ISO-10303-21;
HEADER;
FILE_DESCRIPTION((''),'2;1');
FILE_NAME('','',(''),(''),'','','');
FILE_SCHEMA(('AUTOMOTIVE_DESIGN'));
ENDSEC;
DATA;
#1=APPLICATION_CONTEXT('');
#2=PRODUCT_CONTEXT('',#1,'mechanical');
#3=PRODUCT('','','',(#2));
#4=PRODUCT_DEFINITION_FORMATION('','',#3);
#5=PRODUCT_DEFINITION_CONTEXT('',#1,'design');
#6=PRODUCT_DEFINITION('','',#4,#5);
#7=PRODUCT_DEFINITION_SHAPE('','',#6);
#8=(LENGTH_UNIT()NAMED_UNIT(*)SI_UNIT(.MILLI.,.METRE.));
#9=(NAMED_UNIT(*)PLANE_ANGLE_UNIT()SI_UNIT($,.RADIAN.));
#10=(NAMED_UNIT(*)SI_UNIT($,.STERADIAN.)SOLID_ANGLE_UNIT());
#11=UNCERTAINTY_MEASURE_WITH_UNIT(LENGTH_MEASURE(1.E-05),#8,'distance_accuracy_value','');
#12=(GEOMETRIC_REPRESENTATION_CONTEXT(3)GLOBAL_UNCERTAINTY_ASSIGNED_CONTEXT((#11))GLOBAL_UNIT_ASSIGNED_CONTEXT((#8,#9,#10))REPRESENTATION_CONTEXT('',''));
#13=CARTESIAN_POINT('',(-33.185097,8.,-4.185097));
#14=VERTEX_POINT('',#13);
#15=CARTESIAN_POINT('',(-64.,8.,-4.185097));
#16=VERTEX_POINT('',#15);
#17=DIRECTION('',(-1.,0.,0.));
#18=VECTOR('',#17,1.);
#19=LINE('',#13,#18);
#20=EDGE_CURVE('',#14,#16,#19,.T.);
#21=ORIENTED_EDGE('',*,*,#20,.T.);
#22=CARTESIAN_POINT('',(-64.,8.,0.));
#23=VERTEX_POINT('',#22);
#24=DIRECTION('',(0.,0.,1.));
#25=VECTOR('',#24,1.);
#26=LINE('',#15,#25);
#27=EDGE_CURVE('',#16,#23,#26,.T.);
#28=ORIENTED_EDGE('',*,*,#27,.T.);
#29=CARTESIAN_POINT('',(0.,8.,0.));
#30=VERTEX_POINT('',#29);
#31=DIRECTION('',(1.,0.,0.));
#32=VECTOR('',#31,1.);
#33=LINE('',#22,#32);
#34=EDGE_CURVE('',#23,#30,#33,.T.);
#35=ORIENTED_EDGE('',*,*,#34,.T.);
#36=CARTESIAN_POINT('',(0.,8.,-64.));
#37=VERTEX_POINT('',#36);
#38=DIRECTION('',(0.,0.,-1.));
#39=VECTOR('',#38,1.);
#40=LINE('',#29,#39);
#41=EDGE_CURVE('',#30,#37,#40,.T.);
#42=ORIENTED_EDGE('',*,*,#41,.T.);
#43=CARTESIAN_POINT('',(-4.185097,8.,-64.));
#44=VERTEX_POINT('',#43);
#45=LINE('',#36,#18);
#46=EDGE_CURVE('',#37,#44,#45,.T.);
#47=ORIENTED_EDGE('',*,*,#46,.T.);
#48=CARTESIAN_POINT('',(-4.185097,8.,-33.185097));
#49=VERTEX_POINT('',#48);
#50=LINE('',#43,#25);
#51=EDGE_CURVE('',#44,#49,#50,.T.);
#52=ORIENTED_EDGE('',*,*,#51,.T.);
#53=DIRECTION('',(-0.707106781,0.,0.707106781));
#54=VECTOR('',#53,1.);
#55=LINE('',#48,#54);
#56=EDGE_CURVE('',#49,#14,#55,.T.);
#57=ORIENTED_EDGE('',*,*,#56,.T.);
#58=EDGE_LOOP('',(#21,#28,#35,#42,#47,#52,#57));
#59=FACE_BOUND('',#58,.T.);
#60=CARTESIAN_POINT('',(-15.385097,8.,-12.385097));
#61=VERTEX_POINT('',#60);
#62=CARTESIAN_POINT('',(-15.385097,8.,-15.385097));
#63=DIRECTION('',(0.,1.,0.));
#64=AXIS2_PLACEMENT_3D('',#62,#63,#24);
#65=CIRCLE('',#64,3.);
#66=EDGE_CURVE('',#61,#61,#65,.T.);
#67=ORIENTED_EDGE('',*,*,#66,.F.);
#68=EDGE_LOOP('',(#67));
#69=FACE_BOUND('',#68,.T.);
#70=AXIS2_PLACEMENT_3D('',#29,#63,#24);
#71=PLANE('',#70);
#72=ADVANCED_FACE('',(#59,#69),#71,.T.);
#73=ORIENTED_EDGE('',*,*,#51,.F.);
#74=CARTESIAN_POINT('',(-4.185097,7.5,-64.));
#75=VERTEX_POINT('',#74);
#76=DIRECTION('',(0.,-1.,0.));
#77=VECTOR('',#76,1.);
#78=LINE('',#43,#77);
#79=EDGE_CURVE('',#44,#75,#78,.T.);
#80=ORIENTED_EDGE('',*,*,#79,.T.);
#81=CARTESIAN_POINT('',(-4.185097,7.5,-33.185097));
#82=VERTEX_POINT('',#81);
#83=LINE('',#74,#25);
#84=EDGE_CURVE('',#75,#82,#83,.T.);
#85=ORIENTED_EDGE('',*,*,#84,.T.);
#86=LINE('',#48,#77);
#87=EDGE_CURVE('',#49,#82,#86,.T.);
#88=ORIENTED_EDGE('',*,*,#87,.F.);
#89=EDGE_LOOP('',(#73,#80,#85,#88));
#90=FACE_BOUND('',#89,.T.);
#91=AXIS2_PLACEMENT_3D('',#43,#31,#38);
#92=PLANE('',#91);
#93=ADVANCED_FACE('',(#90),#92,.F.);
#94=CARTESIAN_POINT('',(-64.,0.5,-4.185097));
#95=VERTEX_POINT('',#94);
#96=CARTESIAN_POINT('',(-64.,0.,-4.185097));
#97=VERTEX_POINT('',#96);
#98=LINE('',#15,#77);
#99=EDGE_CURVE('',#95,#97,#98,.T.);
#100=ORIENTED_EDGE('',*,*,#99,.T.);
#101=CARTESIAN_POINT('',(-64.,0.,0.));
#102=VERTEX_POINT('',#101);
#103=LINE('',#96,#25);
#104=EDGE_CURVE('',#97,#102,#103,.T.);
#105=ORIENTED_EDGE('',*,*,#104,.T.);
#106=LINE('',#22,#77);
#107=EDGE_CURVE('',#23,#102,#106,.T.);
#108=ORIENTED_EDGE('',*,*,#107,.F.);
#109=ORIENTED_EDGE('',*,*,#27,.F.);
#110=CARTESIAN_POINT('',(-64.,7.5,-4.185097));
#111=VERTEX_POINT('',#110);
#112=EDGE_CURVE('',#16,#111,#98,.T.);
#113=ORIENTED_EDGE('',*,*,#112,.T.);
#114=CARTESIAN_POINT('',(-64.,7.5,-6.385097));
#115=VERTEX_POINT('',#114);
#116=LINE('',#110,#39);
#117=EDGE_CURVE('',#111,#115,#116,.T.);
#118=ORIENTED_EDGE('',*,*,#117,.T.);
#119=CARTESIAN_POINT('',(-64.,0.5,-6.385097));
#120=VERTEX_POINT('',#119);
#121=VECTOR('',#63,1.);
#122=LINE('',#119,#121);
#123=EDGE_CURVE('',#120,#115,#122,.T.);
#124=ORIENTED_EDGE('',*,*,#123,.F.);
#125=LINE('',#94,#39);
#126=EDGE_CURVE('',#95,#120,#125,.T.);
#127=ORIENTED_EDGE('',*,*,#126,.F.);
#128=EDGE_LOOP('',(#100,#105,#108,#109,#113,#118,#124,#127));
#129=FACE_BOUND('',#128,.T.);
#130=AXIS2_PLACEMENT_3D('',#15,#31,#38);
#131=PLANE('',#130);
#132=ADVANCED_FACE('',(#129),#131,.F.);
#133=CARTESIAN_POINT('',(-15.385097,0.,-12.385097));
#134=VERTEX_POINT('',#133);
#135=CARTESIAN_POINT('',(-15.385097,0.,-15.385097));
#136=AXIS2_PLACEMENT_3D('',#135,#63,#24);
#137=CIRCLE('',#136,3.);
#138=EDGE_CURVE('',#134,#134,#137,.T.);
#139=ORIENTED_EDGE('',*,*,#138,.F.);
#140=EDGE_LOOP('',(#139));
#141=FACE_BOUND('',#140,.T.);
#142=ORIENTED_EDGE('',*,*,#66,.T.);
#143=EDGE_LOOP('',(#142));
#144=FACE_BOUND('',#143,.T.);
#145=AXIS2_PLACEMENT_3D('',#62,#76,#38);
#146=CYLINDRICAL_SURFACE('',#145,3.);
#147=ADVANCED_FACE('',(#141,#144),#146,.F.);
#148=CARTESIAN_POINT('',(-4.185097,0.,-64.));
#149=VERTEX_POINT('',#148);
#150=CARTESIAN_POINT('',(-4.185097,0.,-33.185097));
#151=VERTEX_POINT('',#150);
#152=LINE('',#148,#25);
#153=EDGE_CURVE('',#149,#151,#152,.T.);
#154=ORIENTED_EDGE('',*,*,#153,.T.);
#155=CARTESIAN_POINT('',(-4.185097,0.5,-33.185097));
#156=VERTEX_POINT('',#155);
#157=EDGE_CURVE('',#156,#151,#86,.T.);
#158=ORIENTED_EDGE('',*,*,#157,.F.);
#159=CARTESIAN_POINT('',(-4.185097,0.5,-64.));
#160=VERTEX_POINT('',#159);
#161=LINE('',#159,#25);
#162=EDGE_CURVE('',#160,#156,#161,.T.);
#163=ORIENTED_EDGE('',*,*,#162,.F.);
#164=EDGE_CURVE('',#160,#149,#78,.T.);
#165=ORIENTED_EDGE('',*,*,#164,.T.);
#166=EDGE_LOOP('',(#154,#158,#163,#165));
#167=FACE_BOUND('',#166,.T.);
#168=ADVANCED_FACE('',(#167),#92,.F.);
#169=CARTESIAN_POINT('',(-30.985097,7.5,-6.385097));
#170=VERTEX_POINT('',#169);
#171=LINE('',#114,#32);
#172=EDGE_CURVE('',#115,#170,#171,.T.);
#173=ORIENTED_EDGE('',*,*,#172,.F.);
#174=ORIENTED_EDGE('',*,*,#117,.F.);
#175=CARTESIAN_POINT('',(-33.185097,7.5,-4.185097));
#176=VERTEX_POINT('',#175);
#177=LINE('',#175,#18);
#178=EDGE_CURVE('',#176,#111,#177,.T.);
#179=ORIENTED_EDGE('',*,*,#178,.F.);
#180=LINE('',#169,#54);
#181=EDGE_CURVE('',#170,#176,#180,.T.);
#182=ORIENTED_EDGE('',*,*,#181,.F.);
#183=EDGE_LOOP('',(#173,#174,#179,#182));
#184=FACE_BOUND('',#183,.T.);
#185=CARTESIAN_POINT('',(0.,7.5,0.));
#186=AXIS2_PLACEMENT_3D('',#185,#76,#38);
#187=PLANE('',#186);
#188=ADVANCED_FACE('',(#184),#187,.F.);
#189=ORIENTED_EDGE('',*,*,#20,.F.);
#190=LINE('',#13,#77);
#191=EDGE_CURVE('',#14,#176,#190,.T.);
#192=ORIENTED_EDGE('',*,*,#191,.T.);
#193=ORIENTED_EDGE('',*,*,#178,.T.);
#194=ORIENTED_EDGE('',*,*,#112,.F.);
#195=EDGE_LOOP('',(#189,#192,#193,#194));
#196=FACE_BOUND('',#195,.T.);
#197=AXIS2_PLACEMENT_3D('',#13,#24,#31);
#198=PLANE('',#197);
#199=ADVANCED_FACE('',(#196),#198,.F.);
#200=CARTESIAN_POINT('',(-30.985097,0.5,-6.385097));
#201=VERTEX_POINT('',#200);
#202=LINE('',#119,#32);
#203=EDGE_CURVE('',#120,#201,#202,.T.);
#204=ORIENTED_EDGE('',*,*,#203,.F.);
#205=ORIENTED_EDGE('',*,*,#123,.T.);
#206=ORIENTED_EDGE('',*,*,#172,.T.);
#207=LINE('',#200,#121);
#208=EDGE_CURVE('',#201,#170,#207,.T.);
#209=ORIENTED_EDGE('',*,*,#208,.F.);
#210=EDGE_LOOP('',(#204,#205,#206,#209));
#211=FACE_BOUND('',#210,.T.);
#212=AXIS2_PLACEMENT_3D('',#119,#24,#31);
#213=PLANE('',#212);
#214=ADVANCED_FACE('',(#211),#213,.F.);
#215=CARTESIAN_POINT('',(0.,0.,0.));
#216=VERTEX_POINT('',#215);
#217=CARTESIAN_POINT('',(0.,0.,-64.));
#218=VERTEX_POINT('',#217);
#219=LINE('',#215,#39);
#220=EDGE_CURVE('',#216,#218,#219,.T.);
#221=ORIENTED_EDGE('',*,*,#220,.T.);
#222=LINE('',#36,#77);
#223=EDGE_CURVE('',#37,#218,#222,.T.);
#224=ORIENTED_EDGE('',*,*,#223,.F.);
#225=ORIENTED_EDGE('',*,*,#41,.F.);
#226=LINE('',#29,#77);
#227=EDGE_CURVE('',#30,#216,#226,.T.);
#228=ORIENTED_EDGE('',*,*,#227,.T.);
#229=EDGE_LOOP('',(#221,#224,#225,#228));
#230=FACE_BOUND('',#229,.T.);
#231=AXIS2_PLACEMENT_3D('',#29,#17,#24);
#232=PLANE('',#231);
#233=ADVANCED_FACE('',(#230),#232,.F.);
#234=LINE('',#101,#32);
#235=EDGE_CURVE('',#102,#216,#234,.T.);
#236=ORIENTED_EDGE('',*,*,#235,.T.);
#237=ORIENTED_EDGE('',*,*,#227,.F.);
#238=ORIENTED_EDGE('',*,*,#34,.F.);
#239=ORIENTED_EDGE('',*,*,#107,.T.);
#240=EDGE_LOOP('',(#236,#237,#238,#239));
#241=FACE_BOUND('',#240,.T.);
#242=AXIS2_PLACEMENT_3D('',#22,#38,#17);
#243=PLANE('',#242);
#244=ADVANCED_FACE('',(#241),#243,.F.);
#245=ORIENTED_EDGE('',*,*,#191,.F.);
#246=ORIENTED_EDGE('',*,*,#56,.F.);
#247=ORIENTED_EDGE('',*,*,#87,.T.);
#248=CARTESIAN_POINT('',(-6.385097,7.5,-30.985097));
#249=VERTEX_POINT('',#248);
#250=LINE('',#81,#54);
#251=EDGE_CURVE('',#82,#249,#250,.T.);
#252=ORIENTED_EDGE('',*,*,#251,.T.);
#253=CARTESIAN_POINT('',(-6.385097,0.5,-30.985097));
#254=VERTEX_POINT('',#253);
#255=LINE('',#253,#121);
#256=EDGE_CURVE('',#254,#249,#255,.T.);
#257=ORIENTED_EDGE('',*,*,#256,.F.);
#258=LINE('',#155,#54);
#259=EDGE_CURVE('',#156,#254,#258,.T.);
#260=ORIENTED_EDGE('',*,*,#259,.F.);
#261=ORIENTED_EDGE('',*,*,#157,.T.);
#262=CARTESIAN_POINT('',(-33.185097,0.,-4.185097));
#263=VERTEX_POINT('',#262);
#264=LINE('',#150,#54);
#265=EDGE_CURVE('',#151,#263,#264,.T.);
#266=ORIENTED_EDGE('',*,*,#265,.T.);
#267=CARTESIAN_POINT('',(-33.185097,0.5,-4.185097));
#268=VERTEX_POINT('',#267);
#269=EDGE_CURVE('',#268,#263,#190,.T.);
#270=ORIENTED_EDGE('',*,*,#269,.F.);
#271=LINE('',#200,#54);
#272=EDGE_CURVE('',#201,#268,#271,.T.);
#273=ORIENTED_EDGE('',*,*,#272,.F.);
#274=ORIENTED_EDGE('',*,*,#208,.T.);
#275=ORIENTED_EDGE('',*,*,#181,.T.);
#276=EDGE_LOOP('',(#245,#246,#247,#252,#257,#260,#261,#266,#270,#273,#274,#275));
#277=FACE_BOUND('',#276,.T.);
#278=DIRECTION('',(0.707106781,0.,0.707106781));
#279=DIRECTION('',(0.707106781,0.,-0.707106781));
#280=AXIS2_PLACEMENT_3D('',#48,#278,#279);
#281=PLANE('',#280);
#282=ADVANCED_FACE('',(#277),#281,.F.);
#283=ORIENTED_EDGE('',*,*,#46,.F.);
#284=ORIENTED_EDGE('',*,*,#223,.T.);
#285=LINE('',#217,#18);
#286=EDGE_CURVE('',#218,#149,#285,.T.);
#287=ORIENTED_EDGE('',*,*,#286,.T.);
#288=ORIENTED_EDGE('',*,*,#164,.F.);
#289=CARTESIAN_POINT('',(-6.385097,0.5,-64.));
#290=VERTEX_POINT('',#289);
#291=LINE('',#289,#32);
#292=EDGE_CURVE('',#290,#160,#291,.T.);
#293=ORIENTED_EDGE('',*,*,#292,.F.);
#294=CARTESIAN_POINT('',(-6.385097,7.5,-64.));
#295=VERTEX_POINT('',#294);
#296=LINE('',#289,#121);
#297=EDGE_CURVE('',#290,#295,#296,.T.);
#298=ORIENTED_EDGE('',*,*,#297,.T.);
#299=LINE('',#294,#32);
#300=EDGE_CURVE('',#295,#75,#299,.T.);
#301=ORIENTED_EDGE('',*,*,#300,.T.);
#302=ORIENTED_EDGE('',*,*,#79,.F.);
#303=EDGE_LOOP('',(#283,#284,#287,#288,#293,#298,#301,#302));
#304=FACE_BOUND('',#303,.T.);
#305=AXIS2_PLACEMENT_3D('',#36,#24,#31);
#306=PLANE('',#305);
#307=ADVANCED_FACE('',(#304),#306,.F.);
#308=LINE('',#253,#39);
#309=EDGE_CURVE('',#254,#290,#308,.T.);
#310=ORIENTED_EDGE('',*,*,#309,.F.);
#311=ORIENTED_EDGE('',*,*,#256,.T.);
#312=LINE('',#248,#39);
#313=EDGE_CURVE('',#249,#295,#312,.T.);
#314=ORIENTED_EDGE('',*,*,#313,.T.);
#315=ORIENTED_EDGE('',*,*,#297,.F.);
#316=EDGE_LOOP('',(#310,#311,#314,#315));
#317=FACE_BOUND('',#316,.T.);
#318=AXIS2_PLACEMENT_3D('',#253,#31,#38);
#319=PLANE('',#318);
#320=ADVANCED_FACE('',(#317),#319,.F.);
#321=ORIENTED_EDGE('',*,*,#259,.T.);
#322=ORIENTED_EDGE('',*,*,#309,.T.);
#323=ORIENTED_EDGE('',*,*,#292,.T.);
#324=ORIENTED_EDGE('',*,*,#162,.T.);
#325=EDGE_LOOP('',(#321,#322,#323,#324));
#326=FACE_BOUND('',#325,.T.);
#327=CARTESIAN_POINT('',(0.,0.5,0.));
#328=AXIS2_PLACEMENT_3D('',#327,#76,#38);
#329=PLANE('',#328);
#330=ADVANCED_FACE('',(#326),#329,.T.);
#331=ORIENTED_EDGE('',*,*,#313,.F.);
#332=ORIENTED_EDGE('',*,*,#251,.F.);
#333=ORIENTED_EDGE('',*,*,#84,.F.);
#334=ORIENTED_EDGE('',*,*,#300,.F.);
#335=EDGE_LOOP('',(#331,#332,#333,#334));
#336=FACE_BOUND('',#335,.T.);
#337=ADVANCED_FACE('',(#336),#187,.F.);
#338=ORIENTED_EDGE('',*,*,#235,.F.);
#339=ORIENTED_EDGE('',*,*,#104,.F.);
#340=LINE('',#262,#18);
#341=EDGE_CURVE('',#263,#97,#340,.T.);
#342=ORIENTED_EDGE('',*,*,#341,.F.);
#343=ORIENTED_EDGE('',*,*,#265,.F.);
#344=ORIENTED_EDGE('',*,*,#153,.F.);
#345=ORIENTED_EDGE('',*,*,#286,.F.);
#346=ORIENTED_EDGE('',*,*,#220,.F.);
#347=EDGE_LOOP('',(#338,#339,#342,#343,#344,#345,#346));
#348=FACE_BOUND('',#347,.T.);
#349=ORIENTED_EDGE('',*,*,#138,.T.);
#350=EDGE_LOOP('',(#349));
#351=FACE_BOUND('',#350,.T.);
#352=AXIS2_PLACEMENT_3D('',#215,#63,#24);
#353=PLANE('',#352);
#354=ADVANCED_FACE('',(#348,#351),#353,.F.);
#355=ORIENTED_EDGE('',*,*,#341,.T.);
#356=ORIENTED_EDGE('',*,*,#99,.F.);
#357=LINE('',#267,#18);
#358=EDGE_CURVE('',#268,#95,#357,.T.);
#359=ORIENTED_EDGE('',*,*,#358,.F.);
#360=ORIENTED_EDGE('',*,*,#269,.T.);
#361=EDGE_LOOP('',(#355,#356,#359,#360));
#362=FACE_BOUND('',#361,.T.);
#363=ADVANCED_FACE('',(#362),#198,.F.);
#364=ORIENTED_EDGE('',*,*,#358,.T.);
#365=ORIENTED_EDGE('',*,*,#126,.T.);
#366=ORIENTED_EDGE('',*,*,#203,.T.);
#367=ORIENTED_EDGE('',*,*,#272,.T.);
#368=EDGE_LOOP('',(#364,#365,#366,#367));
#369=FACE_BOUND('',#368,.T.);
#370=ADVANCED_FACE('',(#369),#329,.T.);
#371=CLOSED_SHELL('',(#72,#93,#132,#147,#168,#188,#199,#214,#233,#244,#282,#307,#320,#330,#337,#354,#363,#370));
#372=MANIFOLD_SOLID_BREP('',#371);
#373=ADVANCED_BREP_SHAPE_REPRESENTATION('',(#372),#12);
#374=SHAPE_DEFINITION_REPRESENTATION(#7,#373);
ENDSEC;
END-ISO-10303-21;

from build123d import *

# Parameters (mm, degrees)
SKETCH_1_R      = 3
EXTRUDE_1_DEPTH = 8
EXTRUDE_START   = -4
EXTRUDE_3_DEPTH = 3.5


with BuildPart() as part:
    # 草图1 → 凸台-拉伸1 (new body)
    with BuildSketch(Plane(origin=(0, 0, 0), x_dir=(1, 0, 0), z_dir=(0, 1, 0))):
        Polygon((0, 0), (0, 64), (-4.185096591, 64), (-4.185096591, 33.185096591), (-33.185096591, 4.185096591), (-64, 4.185096591), (-64, 0), align=None)
        with Locations(Location((-15.385096591, 15.385096591, 0), (0, 0, 270))):
            Circle(SKETCH_1_R, mode=Mode.SUBTRACT)
    extrude(amount=EXTRUDE_1_DEPTH)

    # 草图4 → 凸台-拉伸3 (add, symmetric)
    with BuildSketch(Plane.XZ.offset(EXTRUDE_START)):
        Polygon((-6.385096591, -30.985096591), (-6.385096591, -64), (-4.185096591, -64), (-4.185096591, -33.185096591), align=None)
        Polygon((-64, -4.185096591), (-64, -6.385096591), (-30.985096591, -6.385096591), (-33.185096591, -4.185096591), align=None)
    extrude(amount=EXTRUDE_3_DEPTH, both=True)


solid = part.part
